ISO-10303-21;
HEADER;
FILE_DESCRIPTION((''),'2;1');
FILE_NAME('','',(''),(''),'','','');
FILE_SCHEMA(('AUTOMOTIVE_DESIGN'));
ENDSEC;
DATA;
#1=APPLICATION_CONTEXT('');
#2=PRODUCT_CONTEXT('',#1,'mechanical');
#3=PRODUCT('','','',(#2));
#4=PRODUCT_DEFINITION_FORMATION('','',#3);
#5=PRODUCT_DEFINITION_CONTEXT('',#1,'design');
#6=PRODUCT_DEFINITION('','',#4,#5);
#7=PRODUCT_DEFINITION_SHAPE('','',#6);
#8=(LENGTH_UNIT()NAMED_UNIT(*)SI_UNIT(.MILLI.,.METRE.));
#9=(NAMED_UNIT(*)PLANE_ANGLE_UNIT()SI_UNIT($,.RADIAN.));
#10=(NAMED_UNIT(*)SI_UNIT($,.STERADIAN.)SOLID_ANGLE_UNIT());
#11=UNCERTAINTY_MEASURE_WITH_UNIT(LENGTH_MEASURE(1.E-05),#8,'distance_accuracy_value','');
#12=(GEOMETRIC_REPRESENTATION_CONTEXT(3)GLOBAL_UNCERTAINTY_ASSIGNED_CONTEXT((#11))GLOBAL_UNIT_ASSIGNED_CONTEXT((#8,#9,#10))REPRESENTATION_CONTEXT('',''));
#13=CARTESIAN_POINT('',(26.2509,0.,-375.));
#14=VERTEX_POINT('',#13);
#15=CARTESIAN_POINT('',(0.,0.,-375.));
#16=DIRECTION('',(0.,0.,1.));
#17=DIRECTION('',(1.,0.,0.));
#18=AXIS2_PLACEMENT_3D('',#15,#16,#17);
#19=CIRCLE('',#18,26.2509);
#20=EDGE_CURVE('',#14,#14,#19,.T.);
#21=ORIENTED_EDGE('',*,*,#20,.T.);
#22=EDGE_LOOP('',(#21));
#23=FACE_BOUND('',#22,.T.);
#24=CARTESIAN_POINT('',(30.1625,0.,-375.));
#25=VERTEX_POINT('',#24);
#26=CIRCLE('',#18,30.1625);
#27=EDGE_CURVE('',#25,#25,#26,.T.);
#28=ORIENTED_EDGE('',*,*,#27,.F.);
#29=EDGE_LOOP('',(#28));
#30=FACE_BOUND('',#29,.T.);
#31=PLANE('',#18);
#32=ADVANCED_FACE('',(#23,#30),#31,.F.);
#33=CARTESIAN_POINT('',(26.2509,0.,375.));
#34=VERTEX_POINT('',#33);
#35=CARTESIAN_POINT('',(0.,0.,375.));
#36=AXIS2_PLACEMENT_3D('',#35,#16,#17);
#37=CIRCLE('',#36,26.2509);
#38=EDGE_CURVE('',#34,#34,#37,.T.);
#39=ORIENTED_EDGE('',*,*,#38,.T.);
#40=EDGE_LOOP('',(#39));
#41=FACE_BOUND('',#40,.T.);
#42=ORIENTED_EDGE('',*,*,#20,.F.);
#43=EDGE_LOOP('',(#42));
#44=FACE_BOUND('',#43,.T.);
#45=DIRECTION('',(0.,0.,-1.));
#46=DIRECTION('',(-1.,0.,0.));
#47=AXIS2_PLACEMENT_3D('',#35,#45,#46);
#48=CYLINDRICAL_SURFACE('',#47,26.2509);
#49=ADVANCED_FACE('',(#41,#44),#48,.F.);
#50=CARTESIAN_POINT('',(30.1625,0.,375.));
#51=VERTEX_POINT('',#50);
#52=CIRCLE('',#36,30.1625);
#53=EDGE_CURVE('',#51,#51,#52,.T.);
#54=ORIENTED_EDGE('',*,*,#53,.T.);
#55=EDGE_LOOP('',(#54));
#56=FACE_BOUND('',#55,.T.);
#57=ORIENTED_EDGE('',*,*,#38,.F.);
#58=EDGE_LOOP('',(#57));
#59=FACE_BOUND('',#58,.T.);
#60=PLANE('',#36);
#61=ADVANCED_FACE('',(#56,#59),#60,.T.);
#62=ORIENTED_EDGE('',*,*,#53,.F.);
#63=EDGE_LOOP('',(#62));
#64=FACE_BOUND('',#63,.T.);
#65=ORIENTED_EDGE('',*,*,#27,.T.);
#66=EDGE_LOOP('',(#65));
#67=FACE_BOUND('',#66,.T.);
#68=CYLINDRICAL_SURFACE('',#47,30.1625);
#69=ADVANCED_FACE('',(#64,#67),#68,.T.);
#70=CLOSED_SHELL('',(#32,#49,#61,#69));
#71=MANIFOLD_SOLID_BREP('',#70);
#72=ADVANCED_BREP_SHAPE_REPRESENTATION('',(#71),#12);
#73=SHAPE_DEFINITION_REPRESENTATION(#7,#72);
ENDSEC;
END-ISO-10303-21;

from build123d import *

# Parameters (mm, degrees)
SKETCH1_R           = 30.1625
SKETCH1_R_2         = 26.2509
EXTRUDE_THIN1_DEPTH = 375


with BuildPart() as part:
    # Sketch1 → Extrude-Thin1 (new body, symmetric)
    with BuildSketch(Plane.XY):
        Circle(SKETCH1_R)
        Circle(SKETCH1_R_2, mode=Mode.SUBTRACT)
    extrude(amount=EXTRUDE_THIN1_DEPTH, both=True)


solid = part.part
